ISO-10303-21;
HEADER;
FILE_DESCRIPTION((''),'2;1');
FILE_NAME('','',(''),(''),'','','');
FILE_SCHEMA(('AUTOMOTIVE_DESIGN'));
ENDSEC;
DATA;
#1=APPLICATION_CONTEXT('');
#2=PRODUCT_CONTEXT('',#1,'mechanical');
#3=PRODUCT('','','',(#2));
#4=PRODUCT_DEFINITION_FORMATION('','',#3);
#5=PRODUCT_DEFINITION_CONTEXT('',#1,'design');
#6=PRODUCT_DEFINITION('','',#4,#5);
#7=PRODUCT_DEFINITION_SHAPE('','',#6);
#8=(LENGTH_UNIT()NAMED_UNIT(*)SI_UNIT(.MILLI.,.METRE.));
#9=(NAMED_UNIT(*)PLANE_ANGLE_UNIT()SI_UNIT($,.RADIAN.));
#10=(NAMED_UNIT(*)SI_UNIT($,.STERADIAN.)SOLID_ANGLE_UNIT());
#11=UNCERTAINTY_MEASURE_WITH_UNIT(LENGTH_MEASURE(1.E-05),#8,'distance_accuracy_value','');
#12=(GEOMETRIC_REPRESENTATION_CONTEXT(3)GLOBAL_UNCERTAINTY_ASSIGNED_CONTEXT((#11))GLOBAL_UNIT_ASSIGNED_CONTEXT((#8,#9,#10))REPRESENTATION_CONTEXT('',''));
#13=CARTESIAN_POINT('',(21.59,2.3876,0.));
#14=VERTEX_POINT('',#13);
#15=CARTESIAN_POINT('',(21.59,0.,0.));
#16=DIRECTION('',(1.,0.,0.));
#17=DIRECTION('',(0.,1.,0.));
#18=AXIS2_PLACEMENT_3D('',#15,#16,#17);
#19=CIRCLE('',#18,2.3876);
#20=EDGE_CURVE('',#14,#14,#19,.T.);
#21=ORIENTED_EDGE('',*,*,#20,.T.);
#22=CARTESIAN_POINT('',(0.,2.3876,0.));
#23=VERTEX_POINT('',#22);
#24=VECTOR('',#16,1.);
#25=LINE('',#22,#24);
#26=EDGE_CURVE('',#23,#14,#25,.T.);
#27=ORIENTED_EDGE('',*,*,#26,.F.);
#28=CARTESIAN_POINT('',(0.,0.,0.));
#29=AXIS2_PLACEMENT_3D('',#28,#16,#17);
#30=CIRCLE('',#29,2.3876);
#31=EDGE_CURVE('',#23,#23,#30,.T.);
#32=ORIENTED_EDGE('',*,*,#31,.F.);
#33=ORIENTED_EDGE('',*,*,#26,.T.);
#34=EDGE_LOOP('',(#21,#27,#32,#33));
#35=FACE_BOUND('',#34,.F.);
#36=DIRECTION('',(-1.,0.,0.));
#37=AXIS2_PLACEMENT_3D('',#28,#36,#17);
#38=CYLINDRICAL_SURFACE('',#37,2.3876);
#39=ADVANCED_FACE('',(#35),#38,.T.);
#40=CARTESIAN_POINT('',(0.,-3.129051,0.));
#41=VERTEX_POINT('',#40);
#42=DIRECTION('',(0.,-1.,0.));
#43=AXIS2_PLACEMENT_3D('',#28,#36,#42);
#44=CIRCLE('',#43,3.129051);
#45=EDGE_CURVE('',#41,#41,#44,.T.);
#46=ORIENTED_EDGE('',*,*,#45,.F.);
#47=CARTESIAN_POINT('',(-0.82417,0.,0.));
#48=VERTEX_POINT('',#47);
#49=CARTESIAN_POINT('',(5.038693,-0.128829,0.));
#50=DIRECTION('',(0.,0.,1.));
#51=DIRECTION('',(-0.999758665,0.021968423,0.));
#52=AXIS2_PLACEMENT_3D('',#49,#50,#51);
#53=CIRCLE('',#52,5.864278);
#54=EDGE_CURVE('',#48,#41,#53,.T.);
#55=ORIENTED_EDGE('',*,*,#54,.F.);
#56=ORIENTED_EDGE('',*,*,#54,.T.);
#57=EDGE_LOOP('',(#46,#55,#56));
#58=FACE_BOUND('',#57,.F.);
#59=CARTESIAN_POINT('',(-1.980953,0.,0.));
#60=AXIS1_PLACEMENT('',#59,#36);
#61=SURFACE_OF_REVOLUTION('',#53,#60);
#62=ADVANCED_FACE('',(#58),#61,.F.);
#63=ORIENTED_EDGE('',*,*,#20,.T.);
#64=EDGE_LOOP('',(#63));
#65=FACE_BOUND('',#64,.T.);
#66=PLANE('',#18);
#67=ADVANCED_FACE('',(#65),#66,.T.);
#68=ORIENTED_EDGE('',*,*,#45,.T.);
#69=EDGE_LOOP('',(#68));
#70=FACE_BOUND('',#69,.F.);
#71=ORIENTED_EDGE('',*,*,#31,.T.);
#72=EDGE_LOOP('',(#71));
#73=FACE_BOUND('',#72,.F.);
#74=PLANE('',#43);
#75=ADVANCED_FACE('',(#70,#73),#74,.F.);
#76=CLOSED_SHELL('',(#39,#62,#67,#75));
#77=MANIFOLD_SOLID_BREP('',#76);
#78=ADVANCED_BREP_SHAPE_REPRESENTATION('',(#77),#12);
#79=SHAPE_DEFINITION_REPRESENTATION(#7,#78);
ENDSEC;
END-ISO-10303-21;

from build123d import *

# Parameters (mm, degrees)
F0_R     = 2.3876
F1_DEPTH = 21.59


with BuildPart() as f1:
    # F0 (on Right) → F1 (new body)
    with BuildSketch(Plane.YZ):
        Circle(F0_R)
    extrude(amount=F1_DEPTH)

    # F2 (on Top) → F3 (revolve)
    with BuildSketch(Plane.XY):
        with BuildLine():
            Line((0, -3.129051), (0, 0))
            Line((0, 0), (-0.82417, 0))
            ThreePointArc((-0.82417, 0), (-0.632173, -1.622495), (0, -3.129051))
        make_face()
    revolve(axis=Axis((-1.980953, 0, 0), (-1, 0, 0)))


solid = f1.part
